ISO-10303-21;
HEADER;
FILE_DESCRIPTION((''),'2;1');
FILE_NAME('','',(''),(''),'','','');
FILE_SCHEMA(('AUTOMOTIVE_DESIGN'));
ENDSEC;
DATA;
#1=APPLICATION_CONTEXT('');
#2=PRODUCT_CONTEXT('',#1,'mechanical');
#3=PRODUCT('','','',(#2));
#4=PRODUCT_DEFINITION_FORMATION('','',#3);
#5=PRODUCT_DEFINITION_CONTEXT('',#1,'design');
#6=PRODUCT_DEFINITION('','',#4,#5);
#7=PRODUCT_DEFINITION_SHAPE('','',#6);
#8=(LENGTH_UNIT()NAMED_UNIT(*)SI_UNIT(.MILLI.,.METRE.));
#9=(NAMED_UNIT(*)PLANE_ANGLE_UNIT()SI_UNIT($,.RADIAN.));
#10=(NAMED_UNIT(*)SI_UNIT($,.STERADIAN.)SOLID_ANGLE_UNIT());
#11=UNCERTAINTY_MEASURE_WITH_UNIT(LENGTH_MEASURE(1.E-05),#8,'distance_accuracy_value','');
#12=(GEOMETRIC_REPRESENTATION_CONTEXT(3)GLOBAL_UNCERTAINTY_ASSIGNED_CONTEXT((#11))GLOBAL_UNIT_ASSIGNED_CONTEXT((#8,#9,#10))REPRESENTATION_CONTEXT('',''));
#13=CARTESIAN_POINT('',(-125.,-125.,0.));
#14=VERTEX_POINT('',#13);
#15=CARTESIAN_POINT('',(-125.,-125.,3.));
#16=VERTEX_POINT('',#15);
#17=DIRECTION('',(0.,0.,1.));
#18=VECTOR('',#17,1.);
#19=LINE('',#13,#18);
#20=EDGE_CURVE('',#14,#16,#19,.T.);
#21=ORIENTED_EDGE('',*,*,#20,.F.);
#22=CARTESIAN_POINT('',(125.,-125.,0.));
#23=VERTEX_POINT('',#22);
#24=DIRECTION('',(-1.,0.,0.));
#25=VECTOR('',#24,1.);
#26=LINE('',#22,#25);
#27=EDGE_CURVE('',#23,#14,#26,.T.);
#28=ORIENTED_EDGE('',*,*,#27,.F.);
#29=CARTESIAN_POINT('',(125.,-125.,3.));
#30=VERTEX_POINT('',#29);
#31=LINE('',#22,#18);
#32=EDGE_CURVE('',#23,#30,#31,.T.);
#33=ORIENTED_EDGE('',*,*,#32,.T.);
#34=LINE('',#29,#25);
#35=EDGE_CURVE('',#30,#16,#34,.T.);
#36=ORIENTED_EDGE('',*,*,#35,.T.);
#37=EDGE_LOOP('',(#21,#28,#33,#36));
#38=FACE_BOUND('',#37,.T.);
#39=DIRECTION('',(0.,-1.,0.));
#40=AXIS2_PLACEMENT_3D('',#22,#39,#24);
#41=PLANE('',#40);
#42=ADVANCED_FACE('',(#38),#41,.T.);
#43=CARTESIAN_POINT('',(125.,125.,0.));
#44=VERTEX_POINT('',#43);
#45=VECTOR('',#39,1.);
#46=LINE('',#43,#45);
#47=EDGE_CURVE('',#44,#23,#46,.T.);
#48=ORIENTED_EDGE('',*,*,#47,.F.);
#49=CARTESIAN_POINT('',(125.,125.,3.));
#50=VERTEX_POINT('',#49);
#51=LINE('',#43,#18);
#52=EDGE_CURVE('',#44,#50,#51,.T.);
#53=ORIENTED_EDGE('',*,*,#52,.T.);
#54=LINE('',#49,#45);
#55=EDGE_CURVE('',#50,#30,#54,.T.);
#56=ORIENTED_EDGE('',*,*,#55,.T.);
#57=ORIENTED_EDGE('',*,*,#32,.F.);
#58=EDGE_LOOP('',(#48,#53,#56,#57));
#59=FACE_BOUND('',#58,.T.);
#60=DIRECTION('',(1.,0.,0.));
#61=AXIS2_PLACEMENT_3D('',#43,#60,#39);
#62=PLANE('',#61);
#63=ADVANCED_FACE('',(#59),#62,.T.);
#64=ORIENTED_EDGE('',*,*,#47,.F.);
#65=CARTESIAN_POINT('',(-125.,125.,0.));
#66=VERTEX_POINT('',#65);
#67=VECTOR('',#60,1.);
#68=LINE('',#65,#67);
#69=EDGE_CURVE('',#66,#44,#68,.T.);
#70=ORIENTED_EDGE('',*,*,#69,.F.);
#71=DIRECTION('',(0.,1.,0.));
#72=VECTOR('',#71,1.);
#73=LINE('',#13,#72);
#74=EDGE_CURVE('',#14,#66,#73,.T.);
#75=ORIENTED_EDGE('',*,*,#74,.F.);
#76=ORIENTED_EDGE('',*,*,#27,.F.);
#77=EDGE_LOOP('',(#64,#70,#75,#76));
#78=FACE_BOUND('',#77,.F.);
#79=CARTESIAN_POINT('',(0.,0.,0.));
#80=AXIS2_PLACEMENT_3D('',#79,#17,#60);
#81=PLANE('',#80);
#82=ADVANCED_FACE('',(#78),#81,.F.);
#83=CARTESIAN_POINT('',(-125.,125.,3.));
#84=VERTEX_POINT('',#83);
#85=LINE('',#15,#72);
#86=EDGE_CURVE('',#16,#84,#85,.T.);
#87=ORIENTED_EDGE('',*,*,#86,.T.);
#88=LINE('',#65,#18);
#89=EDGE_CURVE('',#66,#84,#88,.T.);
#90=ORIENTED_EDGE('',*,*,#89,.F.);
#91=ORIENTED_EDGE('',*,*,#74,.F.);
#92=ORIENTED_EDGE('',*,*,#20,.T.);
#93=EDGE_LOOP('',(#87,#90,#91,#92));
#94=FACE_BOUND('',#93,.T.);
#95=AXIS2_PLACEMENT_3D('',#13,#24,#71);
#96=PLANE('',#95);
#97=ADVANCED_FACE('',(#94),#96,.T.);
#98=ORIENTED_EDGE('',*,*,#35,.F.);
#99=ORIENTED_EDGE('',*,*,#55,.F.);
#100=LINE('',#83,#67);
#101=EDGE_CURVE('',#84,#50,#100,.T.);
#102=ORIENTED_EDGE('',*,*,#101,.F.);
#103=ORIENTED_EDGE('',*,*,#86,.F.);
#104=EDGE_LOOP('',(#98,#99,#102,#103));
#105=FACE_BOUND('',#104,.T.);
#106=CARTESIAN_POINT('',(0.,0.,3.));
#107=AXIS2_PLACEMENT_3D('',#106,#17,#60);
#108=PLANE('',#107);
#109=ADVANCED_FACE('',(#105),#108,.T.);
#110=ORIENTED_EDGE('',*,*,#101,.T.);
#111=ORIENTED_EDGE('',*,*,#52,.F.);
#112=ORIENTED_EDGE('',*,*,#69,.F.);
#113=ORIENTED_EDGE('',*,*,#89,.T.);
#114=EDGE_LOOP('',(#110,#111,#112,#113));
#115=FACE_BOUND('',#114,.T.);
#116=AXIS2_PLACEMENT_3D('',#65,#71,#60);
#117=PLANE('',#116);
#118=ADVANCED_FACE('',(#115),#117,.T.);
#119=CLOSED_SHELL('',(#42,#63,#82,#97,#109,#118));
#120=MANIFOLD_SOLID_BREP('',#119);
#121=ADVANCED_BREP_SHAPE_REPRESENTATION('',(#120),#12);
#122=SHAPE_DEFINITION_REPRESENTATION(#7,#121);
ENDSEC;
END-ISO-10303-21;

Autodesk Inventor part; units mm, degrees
ref_plane "YZ Plane" through (0, 0, 0) normal (1, 0, 0) x (0, 1, 0)
ref_plane "XZ Plane" through (0, 0, 0) normal (0, 1, 0) x (-1, 0, 0)
ref_plane "XY Plane" through (0, 0, 0) normal (0, 0, 1) x (1, 0, 0)
sketch "Sketch1" plane through (0, 0, 0) normal (0, 0, 1) x (1, 0, 0)
  line L0 (-125, 125) -> (125, 125)
  line L1 (125, 125) -> (125, -125)
  line L2 (125, -125) -> (-125, -125)
  line L3 (-125, -125) -> (-125, 125)
  line L4 (-125, 125) -> (125, -125) construction
  line L5 (125, 125) -> (-125, -125) construction
  point P0 (0, 0)
  dimension "d0" = 250
  dimension "d1" = 250
extrude "Extrusion1" add sketch "Sketch1" along normal blind 3
ref_plane "Work Plane1" through (-125, 0, 0) normal (0, 1, 0) x (1, 0, 0)
properties part number "hotplate" material "Aluminum 6061-AHC"
